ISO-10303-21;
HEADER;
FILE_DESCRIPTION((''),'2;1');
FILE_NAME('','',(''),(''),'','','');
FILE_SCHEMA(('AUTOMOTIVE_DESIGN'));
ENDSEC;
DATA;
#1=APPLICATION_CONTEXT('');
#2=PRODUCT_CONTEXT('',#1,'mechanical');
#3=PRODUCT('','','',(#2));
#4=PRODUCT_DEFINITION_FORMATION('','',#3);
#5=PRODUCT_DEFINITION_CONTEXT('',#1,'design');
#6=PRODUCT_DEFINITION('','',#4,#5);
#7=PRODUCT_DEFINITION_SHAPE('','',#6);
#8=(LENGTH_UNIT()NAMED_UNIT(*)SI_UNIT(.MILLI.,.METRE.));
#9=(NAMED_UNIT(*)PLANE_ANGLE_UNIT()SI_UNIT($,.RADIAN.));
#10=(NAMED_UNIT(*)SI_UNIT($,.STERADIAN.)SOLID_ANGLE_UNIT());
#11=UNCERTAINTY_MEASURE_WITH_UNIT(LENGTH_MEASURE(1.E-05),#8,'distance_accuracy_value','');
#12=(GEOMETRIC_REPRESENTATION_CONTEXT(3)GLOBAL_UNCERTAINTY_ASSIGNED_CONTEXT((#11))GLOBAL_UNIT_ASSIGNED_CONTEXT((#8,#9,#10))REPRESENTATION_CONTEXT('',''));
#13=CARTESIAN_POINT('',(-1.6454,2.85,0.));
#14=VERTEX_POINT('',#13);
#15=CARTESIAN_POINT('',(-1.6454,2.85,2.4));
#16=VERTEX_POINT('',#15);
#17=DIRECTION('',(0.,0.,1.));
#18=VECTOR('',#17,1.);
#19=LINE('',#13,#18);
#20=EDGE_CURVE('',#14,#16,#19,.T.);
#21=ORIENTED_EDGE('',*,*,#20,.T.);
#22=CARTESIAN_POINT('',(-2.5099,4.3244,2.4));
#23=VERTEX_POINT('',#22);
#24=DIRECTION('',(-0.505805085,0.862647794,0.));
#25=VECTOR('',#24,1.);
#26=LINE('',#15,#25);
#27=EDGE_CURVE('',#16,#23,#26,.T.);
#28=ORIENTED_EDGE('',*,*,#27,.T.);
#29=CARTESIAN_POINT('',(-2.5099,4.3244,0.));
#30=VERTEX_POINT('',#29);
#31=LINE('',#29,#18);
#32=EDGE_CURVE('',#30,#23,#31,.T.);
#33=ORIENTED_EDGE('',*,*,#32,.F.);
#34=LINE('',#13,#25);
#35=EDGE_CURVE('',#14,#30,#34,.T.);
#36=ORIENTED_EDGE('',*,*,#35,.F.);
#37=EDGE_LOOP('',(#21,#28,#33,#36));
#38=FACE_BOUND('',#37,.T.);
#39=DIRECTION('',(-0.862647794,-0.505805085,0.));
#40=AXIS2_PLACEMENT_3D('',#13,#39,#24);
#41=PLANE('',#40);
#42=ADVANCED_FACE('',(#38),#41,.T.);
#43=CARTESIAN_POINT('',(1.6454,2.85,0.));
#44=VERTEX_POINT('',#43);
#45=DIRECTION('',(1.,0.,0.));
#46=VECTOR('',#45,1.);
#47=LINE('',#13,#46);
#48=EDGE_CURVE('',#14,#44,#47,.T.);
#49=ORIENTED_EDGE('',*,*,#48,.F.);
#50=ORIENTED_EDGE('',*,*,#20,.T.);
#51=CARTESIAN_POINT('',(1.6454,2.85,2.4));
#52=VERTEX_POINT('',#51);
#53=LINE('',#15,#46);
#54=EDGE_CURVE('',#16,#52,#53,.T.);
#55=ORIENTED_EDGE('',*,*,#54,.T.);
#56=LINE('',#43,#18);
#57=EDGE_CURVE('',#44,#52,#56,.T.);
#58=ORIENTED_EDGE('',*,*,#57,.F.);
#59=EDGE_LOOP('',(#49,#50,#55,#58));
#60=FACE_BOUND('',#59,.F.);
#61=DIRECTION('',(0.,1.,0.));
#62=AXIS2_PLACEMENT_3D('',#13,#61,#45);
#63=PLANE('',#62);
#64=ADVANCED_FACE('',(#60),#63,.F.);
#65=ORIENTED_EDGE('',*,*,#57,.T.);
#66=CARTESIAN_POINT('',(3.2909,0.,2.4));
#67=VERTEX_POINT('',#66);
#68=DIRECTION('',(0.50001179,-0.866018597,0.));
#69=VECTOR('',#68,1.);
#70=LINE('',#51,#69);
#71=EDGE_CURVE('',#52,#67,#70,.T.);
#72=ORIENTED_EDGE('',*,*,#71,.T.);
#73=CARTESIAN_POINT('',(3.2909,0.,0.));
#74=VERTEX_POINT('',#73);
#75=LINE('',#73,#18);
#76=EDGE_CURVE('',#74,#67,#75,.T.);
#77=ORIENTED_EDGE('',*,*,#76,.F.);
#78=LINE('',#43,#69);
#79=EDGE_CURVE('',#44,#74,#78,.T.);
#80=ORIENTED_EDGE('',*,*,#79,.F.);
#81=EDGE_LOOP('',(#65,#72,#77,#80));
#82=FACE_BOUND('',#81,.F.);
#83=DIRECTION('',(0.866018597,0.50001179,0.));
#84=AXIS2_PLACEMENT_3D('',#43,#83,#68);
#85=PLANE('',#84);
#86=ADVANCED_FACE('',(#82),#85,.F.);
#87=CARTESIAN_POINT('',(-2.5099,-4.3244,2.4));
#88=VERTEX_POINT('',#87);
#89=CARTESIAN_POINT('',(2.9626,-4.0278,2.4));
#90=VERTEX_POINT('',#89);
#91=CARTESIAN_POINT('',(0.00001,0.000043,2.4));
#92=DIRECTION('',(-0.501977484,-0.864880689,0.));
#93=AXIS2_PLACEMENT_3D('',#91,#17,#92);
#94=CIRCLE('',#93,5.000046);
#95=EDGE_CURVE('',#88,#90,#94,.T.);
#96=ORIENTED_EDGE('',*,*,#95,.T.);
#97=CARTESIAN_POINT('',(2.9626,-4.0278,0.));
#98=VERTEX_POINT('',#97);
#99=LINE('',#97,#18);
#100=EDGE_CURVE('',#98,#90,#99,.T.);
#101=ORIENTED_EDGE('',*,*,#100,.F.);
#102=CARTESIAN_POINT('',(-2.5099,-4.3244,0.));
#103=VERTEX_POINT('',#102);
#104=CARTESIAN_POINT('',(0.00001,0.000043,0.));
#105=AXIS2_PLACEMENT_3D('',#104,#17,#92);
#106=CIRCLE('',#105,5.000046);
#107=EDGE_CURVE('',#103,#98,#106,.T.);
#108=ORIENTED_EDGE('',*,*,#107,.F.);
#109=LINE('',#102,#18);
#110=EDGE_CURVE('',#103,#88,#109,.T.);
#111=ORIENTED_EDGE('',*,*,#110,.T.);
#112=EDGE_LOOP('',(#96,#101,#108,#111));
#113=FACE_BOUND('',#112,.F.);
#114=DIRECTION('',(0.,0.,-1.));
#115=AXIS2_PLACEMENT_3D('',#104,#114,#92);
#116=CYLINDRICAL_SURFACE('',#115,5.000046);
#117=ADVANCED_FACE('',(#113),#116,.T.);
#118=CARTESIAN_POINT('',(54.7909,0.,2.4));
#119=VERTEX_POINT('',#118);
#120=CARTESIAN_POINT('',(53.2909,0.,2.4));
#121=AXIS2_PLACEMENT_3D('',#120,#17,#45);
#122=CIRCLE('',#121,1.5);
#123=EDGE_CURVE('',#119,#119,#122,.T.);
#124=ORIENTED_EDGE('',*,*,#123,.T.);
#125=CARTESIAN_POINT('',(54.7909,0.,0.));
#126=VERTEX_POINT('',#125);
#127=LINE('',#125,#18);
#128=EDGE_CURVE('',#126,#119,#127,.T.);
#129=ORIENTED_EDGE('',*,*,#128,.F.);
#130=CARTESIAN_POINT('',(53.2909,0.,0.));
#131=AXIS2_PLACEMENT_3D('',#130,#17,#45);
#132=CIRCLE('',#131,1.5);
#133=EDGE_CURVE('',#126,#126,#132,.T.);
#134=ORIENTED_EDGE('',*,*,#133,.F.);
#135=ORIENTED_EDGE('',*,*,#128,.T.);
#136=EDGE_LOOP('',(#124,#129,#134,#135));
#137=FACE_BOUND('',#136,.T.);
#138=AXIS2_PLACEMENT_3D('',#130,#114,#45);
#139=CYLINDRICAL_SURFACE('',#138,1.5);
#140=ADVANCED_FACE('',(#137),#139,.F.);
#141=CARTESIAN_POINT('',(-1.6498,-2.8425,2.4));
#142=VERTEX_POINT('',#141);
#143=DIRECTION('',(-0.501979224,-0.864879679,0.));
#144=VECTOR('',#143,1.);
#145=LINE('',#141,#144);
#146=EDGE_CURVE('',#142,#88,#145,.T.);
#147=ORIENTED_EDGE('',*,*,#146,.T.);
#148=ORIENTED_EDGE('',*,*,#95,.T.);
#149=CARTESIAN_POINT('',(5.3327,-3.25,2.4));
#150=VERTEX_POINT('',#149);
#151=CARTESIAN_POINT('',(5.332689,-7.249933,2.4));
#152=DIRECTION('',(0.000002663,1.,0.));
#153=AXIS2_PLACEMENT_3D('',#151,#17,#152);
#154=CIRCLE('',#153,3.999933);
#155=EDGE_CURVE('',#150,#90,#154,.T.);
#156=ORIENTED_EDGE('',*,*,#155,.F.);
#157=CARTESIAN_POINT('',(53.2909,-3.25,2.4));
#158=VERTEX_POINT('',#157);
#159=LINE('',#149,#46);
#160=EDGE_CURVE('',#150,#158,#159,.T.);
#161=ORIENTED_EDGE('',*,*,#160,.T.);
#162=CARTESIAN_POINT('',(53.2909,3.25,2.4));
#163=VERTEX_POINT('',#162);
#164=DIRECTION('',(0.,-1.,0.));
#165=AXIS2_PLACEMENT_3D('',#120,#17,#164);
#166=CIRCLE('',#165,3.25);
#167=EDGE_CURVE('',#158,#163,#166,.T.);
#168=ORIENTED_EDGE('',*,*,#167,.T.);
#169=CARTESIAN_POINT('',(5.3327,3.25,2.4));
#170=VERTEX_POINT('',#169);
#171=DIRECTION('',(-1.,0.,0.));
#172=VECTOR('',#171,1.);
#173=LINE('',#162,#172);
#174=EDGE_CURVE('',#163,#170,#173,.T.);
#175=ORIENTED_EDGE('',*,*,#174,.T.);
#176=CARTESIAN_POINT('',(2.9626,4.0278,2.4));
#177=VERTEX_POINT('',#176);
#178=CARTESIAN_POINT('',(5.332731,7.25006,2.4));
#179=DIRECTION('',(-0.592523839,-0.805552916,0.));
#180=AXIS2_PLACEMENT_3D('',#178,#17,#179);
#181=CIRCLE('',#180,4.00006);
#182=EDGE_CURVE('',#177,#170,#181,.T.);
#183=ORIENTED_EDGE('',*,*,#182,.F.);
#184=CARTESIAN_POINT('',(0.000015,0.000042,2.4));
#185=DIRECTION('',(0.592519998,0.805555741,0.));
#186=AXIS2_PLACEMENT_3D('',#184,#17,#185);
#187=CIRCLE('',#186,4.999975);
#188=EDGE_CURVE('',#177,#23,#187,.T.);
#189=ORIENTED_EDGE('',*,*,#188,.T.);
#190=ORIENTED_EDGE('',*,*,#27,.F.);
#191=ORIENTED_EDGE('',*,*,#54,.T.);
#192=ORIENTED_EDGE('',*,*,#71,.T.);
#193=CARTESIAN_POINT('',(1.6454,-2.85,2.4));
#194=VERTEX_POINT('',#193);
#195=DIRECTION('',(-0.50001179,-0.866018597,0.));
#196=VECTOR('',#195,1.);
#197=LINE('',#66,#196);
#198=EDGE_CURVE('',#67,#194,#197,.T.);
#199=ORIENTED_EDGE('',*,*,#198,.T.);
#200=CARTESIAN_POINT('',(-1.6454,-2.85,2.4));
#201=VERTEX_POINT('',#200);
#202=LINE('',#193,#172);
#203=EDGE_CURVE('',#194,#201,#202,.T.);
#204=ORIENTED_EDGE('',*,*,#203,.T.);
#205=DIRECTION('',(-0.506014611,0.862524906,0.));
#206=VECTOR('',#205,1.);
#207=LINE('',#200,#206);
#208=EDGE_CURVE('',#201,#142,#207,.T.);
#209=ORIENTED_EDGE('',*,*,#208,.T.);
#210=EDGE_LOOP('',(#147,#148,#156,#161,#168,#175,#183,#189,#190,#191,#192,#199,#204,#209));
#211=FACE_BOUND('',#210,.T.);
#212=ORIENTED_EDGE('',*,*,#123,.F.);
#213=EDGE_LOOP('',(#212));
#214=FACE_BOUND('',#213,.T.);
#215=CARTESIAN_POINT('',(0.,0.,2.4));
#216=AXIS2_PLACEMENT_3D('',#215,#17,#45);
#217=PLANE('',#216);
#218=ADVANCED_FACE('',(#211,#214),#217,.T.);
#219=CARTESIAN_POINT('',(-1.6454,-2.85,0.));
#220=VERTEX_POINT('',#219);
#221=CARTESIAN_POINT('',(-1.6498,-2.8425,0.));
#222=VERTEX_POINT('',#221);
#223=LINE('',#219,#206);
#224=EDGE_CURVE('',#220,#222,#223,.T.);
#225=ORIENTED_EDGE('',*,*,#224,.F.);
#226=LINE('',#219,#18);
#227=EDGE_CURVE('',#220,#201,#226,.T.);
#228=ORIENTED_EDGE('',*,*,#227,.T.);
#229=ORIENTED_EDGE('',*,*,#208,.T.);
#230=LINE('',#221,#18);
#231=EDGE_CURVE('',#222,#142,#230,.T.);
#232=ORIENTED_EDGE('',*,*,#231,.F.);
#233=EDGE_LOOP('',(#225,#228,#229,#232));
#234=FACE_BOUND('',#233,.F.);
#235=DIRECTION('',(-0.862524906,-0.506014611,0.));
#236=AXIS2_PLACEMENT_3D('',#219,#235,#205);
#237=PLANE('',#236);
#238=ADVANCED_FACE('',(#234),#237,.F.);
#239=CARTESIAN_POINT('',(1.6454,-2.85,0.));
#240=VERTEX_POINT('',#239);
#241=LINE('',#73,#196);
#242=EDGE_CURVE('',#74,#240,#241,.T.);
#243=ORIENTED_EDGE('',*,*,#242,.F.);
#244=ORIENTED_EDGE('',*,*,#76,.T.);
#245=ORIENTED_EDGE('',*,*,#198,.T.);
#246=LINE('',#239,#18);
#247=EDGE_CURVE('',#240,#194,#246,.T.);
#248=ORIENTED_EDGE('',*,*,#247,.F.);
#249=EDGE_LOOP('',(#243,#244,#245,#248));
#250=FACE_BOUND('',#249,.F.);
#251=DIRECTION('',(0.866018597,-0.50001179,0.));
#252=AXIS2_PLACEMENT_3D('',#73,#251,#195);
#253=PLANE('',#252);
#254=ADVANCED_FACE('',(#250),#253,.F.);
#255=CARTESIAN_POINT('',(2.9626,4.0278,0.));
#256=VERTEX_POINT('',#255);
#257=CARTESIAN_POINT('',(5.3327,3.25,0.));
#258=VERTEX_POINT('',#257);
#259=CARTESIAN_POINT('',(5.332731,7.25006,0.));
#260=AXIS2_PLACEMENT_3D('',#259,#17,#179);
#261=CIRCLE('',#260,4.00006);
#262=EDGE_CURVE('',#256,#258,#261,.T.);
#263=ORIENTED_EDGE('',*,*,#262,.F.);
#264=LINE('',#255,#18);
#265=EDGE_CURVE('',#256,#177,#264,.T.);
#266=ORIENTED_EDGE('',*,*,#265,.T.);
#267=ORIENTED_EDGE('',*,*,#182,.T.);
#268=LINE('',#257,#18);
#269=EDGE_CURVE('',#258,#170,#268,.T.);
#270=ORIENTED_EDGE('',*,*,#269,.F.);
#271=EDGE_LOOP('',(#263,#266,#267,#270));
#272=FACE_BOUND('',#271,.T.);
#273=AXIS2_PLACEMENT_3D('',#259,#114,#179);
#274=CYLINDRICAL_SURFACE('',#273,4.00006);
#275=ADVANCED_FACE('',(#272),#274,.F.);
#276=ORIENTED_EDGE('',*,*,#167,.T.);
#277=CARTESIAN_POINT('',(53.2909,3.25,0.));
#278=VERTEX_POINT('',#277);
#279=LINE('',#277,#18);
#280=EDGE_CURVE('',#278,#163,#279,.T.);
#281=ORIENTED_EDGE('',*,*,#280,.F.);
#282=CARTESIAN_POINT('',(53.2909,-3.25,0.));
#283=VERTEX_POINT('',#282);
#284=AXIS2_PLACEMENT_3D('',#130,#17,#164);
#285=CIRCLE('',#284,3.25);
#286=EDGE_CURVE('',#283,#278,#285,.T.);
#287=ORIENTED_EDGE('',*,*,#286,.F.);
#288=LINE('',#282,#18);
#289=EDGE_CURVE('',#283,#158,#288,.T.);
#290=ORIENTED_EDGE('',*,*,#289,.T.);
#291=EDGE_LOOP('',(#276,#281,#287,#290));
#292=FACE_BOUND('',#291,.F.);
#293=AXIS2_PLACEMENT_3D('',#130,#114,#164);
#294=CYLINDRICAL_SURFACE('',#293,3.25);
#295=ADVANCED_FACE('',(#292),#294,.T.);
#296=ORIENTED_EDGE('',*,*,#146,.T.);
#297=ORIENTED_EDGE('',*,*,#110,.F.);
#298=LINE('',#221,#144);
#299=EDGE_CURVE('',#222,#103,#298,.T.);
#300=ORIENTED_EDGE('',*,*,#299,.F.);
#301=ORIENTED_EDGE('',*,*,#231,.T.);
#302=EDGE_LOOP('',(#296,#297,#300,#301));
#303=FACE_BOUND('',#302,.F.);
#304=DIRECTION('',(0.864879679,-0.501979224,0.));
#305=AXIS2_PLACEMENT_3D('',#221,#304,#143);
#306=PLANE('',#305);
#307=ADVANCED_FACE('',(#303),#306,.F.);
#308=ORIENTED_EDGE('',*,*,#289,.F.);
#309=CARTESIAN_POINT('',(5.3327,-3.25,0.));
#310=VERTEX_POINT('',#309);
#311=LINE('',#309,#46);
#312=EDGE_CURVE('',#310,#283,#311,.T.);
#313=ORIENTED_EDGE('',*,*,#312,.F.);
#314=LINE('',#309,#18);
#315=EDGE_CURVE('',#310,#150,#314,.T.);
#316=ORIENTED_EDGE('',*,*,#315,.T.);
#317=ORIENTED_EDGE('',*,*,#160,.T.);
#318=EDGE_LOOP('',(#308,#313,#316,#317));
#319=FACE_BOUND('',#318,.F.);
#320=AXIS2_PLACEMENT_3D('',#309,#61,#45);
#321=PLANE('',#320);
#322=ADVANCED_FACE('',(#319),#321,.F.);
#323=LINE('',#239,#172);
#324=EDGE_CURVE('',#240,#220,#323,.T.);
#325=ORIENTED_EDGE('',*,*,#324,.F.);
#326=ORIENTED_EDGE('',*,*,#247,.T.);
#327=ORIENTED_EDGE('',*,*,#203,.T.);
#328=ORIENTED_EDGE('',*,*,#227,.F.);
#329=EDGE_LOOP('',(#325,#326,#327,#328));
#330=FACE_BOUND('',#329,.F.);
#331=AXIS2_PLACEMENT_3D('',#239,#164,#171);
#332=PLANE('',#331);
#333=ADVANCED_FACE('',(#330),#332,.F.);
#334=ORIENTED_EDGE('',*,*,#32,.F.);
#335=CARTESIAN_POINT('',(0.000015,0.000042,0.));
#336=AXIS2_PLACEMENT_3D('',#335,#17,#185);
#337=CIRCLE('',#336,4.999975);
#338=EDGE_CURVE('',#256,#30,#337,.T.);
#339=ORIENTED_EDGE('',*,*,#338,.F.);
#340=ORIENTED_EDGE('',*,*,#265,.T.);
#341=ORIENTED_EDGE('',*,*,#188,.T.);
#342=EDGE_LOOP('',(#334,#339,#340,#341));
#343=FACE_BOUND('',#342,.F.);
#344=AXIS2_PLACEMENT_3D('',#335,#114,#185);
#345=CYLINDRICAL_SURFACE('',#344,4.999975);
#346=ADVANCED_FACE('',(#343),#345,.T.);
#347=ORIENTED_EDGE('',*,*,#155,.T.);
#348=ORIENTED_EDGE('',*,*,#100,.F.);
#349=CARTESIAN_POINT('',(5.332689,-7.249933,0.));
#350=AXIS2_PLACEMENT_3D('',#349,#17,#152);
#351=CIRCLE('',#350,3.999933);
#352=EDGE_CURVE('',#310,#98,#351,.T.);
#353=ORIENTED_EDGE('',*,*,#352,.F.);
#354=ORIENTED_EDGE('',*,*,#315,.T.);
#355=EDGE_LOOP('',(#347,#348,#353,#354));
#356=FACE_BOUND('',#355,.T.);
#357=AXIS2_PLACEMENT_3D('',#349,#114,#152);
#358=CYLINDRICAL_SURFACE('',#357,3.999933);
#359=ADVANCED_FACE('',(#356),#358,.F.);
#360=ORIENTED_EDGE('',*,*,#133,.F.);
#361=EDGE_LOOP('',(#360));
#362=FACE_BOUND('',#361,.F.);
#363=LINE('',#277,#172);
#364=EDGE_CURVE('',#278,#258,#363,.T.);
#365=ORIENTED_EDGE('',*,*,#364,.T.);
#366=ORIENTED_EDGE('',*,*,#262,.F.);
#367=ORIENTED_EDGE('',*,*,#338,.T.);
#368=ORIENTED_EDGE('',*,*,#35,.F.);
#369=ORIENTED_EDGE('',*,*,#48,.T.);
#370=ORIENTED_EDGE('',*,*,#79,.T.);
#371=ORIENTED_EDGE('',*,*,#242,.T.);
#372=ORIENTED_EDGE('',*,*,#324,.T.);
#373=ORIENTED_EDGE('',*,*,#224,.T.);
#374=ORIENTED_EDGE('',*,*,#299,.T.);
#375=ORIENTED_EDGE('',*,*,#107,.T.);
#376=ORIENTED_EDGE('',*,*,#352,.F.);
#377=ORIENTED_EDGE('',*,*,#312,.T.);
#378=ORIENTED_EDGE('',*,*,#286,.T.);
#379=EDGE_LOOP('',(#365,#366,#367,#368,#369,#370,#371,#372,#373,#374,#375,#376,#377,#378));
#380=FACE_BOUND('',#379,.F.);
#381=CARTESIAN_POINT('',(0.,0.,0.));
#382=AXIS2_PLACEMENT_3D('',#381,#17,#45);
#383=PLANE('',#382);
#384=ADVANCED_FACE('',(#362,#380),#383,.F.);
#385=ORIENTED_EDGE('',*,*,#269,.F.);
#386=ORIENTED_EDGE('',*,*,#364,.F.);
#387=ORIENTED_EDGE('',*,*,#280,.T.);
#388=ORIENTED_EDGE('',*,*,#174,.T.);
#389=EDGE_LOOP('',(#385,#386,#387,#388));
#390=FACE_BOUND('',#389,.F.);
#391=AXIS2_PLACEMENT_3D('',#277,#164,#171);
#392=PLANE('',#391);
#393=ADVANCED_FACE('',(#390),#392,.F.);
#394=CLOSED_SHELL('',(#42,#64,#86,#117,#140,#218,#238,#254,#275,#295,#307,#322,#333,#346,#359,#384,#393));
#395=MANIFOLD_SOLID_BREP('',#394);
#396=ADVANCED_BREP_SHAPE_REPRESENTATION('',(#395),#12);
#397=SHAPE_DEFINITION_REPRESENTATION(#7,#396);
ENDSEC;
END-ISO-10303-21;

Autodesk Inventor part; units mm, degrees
ref_plane "YZ Plane" through (0, 0, 0) normal (1, 0, 0) x (0, 1, 0)
ref_plane "XZ Plane" through (0, 0, 0) normal (0, 1, 0) x (-1, 0, 0)
ref_plane "XY Plane" through (0, 0, 0) normal (0, 0, 1) x (1, 0, 0)
sketch "Sketch1" plane through (0, 0, 0) normal (0, 0, 1) x (1, 0, 0)
  line L0 (1.6454, 2.85) -> (3.2909, 0)
  line L1 (3.2909, 0) -> (1.6454, -2.85)
  line L2 (1.6454, -2.85) -> (-1.6454, -2.85)
  line L3 (-1.6454, -2.85) -> (-1.6498, -2.8425)
  line L4 (-1.6454, 2.85) -> (1.6454, 2.85)
  line L5 (-1.6454, 2.85) -> (-2.5099, 4.3244)
  line L6 (-1.6498, -2.8425) -> (-2.5099, -4.3244)
  line L7 (3.2909, 0) -> (53.2909, 0) construction
  line L8 (5, 0) -> (53.2909, 0) construction
  line L9 (5.3327, -3.25) -> (53.2909, -3.25)
  line L10 (53.2909, 3.25) -> (5.3327, 3.25)
  arc A0 (53.2909, -3.25) -> (53.2909, 3.25) centre (53.2909, 0) ccw
  arc A1 (-2.5099, -4.3244) -> (2.9626, -4.0278) centre (0, 0) ccw
  arc A2 (2.9626, 4.0278) -> (-2.5099, 4.3244) centre (0, 0) ccw
  arc A3 (2.9626, 4.0278) -> (5.3327, 3.25) centre (5.3327, 7.25) ccw
  arc A4 (5.3327, -3.25) -> (2.9626, -4.0278) centre (5.3327, -7.25) ccw
  circle A5 centre (53.2909, 0) radius 1.5
  point P0 (3.7997, 3.25)
  point P1 (29.1454, 0)
  point P2 (3.7997, -3.25)
  dimension "d0" = 5.7
  dimension "d2" = 50
  dimension "d3" = 6.5
  dimension "d4" = 4
  dimension "d5" = 3
extrude "Extrusion1" add sketch "Sketch1" along normal blind 2.4
properties part number "1pcs-m4-wrench"
